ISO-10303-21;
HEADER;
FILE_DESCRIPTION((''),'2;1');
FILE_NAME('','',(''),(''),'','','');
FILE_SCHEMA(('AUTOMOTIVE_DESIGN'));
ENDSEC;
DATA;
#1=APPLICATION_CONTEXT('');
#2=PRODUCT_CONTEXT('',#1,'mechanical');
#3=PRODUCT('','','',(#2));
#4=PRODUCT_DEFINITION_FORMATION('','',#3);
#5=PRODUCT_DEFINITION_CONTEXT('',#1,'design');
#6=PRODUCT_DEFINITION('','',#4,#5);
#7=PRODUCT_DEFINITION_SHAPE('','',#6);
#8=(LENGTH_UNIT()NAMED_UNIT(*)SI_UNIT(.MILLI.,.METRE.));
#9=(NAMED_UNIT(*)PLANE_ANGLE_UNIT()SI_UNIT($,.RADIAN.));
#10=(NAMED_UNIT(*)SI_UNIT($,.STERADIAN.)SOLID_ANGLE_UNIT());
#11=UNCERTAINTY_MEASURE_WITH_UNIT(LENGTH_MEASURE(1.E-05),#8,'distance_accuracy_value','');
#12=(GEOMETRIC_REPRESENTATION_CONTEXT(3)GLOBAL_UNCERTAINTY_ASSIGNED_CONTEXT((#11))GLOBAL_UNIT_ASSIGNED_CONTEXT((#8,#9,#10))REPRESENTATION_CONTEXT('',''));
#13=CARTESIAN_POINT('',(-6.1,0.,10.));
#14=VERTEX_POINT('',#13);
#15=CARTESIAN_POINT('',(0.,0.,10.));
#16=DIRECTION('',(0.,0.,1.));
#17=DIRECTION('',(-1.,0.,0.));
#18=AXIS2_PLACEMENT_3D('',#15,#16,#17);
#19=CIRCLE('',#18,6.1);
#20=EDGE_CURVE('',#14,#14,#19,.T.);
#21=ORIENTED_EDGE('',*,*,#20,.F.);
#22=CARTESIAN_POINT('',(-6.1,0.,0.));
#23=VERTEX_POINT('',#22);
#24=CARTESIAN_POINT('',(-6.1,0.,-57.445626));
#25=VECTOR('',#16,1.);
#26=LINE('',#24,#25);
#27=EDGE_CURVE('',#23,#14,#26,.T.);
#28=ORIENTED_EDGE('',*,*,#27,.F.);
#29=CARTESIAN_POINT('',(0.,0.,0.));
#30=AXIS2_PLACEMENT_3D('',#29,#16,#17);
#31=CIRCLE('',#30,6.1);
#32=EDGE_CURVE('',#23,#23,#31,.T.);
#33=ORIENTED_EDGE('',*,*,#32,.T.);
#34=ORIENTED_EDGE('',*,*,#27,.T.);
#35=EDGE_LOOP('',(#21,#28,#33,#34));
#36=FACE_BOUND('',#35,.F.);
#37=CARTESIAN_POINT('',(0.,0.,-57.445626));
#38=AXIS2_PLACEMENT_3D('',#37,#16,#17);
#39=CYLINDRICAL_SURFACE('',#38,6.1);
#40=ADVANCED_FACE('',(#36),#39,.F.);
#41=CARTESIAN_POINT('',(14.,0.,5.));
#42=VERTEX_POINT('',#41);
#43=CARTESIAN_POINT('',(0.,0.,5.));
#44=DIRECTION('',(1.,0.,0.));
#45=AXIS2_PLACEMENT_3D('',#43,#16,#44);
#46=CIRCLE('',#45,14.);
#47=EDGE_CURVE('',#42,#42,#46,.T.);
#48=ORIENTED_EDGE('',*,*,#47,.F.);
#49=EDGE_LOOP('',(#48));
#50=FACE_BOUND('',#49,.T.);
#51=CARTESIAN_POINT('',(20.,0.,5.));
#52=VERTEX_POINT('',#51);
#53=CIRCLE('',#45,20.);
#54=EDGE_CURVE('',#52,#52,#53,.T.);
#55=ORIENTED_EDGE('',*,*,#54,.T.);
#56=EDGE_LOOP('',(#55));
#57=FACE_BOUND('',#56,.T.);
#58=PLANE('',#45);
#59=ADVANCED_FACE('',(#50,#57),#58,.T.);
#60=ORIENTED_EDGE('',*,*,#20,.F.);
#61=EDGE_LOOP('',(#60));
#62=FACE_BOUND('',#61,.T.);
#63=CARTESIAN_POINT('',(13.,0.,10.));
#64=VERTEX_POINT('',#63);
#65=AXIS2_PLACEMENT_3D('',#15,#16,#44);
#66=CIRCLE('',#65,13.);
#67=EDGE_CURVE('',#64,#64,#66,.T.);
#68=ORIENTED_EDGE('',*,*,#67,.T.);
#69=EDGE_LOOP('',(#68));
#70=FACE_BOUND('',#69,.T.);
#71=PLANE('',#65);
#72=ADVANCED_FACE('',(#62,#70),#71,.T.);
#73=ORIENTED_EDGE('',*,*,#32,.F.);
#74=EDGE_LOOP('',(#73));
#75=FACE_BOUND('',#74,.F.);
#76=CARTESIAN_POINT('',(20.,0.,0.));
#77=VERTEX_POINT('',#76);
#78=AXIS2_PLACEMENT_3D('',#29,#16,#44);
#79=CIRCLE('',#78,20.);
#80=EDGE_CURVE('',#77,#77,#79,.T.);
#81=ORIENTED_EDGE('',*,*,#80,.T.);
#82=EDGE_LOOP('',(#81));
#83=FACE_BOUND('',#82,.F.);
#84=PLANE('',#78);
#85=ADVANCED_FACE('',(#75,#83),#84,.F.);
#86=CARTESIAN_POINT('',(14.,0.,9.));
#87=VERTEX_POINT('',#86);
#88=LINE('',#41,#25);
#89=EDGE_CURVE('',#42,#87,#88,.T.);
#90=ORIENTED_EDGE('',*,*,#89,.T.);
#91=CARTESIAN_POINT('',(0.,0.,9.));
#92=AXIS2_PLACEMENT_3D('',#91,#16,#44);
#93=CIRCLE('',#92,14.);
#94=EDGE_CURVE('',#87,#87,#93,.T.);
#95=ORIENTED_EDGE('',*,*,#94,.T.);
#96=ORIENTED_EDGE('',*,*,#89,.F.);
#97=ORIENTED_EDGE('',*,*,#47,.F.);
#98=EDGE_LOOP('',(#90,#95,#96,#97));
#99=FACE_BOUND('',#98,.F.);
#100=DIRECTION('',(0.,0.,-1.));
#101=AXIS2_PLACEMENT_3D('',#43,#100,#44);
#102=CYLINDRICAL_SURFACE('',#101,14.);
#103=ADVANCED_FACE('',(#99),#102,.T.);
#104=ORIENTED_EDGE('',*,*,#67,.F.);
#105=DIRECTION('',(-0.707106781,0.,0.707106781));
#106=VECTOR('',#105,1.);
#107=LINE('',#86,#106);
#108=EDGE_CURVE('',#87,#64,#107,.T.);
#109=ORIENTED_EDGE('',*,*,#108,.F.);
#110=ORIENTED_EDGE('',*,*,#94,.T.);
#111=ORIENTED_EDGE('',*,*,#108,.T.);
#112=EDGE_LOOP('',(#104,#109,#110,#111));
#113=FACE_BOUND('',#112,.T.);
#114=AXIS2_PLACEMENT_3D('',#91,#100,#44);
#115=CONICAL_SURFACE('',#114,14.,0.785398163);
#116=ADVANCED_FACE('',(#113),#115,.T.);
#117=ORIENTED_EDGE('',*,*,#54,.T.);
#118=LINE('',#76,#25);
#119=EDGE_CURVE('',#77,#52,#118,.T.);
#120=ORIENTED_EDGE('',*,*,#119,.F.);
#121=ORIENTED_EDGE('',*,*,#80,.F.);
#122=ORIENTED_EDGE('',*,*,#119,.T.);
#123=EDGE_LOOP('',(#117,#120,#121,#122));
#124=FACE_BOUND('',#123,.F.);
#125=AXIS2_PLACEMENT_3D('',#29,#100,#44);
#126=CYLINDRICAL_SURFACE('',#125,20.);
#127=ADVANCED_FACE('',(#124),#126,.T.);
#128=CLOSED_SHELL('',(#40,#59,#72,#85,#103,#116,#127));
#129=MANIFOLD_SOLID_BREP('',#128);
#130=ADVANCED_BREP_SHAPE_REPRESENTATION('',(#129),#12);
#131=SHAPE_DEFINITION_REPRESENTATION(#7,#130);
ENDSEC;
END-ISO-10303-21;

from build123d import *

# Parameters (mm, degrees)
F0_R     = 20
F1_DEPTH = 5
F2_R     = 14
F3_DEPTH = 5
F5_D     = 12.2
F6_SIZE  = 1


with BuildPart() as f1:
    # F0 (on Top) → F1 (new body)
    with BuildSketch(Plane.XY):
        Circle(F0_R)
    extrude(amount=F1_DEPTH)

    # F2 (on face) → F3 (join)
    with BuildSketch(Plane.XY.offset(5)):
        Circle(F2_R)
    extrude(amount=F3_DEPTH)

    # F5 (through all)
    with Locations(Plane(origin=(0, 0, 0), x_dir=(1, 0, 0), z_dir=(0, 0, -1))):
        with Locations((0, 0)):
            Hole(F5_D / 2)

    # F6
    f6_edges = [f1.edges().sort_by_distance(p)[0] for p in [
        (-14, 0, 10),
    ]]
    chamfer(f6_edges, length=F6_SIZE)


solid = f1.part
